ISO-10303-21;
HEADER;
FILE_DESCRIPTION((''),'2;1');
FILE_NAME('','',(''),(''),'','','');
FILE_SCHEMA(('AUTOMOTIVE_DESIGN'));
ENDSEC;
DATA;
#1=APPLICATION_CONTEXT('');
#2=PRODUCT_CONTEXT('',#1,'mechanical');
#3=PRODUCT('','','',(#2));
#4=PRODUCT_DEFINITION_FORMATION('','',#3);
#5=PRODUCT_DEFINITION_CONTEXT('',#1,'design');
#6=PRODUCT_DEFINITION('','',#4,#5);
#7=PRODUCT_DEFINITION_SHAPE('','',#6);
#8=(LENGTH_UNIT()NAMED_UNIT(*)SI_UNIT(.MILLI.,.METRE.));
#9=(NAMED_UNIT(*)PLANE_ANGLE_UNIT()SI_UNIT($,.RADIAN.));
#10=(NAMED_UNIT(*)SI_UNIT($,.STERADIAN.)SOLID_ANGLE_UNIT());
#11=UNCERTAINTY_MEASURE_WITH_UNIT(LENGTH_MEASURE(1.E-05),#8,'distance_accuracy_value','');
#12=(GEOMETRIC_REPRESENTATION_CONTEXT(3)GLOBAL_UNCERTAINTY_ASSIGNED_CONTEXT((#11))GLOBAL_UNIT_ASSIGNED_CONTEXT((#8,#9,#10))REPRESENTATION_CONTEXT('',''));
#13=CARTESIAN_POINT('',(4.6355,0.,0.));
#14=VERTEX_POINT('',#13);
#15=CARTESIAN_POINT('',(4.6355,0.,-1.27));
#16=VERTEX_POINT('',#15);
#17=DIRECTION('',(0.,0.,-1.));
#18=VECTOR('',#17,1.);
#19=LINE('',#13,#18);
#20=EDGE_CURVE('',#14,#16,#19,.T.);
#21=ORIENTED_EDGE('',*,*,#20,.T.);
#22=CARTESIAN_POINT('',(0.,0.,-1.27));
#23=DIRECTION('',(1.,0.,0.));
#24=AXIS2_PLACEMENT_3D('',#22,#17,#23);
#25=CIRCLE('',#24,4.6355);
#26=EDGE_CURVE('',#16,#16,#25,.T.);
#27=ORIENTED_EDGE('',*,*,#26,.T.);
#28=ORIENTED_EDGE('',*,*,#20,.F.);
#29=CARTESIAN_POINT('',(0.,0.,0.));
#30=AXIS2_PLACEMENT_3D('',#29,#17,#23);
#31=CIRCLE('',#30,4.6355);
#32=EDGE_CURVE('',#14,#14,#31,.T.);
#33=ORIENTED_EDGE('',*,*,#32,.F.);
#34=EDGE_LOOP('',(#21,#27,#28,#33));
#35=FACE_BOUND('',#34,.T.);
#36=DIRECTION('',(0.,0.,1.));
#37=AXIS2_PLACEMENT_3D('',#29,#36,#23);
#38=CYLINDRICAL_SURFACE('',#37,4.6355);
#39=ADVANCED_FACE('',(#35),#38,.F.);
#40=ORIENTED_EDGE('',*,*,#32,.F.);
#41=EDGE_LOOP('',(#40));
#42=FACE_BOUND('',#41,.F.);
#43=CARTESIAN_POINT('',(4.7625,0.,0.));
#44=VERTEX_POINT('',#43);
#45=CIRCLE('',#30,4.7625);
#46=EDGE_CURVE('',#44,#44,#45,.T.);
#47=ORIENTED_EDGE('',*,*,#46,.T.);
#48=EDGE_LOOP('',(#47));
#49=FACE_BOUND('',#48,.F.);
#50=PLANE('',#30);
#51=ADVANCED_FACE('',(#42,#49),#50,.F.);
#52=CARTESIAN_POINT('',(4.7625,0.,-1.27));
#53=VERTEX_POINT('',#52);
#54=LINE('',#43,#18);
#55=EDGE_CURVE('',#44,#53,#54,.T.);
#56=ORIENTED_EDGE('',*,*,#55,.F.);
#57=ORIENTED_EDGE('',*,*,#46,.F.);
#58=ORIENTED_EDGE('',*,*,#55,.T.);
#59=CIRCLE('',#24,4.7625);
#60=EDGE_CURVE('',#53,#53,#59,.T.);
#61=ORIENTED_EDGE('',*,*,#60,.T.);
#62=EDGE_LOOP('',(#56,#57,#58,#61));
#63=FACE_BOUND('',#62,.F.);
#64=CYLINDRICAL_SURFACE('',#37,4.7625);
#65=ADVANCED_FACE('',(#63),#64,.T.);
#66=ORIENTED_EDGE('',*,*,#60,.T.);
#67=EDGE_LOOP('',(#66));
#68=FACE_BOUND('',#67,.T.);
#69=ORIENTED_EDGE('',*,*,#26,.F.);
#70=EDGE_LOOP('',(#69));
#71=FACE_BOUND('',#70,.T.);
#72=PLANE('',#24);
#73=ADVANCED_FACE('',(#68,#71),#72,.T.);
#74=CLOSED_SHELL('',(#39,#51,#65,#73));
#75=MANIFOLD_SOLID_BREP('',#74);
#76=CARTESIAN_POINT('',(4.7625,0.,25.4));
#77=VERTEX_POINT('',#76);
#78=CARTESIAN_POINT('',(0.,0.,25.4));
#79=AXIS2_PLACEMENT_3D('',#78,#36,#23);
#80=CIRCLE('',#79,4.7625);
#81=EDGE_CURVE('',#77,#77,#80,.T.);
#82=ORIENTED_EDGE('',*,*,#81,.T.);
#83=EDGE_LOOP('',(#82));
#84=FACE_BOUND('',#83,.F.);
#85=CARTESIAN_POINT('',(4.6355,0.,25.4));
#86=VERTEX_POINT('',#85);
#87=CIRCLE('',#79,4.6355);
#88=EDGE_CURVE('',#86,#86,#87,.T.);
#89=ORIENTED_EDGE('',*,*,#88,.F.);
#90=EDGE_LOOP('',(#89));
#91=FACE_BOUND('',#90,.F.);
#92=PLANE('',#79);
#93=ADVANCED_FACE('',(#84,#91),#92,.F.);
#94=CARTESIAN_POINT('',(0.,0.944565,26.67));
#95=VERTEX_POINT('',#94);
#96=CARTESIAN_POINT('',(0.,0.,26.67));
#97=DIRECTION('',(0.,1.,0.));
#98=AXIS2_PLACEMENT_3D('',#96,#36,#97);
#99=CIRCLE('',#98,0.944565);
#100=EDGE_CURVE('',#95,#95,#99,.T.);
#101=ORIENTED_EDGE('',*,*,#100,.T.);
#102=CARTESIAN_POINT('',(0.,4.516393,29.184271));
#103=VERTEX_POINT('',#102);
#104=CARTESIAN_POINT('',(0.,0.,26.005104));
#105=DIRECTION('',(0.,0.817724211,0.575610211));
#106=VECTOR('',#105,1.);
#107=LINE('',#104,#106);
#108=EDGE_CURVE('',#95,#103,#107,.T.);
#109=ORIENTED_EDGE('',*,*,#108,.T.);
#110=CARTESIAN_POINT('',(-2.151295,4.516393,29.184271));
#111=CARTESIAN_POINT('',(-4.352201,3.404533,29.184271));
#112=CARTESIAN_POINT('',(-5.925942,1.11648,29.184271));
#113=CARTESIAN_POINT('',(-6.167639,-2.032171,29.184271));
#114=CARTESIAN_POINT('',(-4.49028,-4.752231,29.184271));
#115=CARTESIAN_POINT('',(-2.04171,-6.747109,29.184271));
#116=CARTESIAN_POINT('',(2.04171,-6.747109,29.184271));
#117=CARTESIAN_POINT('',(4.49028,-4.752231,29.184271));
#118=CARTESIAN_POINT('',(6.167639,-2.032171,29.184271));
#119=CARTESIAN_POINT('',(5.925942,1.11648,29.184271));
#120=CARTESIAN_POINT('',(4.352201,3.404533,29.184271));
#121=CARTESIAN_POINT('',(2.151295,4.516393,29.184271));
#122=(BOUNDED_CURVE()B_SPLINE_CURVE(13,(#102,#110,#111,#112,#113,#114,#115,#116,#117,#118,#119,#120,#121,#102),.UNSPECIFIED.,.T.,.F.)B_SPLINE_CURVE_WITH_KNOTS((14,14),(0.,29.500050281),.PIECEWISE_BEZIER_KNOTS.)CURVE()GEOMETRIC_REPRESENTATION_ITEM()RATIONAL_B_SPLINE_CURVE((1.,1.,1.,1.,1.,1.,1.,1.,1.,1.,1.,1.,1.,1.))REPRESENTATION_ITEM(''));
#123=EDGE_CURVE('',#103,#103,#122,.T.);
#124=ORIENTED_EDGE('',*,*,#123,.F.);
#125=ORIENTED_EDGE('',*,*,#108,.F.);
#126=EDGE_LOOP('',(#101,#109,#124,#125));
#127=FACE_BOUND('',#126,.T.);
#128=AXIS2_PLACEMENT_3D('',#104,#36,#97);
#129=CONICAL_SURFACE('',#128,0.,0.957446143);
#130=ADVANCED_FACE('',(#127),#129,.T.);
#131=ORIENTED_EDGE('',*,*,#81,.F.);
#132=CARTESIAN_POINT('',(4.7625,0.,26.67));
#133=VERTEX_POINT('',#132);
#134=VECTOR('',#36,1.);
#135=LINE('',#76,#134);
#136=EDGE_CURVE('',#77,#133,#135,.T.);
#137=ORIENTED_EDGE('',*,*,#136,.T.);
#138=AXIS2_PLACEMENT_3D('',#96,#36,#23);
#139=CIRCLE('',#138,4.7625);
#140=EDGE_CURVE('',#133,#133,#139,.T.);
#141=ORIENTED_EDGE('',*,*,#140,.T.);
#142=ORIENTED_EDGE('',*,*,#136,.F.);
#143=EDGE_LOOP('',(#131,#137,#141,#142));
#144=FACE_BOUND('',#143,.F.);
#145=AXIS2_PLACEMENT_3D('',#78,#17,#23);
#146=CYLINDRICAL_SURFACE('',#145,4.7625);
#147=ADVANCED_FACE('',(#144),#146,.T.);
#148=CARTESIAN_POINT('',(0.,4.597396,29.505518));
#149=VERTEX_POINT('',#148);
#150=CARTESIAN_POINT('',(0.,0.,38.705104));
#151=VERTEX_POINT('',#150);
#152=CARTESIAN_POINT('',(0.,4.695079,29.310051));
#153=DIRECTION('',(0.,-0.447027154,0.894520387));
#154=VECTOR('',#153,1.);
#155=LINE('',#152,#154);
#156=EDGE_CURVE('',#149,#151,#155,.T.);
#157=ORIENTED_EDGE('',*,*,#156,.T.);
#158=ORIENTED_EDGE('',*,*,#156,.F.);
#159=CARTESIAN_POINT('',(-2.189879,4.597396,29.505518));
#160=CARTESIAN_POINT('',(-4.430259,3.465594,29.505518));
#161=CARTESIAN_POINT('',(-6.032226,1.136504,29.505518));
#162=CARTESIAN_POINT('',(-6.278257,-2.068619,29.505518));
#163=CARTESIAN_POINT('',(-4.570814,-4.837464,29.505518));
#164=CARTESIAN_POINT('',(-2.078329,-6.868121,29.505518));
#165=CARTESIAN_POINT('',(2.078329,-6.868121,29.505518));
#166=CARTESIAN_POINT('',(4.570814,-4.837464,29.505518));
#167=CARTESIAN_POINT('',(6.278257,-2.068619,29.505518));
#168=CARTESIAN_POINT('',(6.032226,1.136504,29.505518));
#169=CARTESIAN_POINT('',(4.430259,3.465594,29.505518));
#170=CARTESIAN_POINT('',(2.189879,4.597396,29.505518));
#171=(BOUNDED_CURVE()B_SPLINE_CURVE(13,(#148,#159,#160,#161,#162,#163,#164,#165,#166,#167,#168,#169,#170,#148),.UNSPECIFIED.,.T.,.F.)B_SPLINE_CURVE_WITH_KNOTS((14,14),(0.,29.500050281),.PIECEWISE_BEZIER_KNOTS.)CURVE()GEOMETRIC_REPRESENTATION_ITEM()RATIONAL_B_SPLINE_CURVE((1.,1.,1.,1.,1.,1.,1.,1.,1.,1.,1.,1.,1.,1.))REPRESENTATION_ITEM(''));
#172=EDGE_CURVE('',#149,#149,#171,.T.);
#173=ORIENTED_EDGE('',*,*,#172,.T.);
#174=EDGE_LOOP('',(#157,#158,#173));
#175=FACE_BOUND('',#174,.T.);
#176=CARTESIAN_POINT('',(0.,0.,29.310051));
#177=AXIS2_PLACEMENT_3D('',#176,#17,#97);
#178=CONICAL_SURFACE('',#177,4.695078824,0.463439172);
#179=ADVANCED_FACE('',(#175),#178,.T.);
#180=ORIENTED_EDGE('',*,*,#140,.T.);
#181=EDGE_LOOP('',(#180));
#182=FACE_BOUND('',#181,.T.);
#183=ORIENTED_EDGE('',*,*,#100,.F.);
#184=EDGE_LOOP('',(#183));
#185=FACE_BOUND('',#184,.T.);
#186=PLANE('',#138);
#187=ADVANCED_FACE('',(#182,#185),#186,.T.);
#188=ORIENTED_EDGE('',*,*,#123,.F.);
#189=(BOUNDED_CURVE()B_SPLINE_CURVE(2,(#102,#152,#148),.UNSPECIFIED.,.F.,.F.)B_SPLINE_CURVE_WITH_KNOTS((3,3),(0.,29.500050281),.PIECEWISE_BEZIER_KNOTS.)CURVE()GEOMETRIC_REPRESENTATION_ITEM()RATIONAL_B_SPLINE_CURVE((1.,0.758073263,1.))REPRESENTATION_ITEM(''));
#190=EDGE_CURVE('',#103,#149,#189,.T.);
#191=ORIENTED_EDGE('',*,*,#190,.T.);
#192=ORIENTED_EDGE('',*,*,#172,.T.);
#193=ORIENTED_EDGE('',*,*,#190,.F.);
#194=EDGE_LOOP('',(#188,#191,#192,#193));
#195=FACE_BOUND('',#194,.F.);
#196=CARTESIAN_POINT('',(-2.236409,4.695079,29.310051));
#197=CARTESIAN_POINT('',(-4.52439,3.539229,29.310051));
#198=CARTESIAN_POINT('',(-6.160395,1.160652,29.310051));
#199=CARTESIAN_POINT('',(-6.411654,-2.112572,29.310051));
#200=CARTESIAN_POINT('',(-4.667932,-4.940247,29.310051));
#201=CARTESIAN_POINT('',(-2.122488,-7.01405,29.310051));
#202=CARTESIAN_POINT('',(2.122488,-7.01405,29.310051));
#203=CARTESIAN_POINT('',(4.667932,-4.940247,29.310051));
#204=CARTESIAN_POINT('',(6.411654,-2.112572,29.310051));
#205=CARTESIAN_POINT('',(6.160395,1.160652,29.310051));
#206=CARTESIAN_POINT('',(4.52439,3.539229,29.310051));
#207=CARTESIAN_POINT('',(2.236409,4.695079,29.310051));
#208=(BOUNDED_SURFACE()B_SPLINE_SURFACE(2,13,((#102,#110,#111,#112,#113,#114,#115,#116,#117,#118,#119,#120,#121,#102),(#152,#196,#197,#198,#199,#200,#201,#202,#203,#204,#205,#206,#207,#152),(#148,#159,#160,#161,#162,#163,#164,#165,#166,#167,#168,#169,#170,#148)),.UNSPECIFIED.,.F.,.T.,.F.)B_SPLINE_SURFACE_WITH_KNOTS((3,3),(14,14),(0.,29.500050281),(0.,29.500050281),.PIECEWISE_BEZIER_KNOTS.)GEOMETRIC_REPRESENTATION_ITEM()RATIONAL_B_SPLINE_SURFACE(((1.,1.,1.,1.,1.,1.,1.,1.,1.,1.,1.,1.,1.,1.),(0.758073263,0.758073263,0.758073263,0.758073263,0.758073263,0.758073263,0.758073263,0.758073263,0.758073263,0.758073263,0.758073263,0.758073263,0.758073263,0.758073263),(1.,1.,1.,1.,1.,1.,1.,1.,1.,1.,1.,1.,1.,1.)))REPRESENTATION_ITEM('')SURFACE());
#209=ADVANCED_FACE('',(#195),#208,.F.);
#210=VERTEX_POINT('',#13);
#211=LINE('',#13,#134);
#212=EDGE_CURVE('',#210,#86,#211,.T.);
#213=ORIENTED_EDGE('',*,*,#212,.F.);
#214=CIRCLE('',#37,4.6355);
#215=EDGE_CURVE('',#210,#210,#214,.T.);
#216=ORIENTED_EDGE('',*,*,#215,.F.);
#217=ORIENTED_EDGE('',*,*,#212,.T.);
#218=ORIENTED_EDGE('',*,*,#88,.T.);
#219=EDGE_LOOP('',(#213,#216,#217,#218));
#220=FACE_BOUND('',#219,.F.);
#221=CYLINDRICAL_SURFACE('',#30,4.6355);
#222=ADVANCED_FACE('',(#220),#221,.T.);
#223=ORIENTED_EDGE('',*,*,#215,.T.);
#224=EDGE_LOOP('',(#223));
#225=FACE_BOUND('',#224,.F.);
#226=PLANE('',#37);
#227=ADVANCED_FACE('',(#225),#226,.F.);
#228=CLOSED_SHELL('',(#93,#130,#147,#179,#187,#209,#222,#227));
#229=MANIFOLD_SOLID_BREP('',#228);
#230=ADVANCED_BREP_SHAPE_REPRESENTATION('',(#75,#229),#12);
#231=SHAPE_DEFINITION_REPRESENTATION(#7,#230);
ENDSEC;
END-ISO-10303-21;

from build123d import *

# Parameters (mm, degrees)
F0_R     = 4.6355
F1_DEPTH = 25.4
F2_R     = 4.7625
F3_DEPTH = 1.27
F4_R     = 4.7625
F4_R_2   = 4.6355
F5_DEPTH = 1.27
F8_R     = 0.254


with BuildPart() as f1:
    # F0 (on Top) → F1 (new body)
    with BuildSketch(Plane.XY):
        Circle(F0_R)
    extrude(amount=F1_DEPTH)

    # F2 (on face) → F3 (join)
    with BuildSketch(Plane.XY.offset(25.4)):
        Circle(F2_R)
    extrude(amount=F3_DEPTH)

    # F6 (on Right) → F7 (revolve)
    with BuildSketch(Plane.YZ):
        Polygon((0, 38.7051041842), (0, 26.0051041842), (4.6950788237, 29.3100513518), align=None)
    revolve(axis=Axis((0, 0, 32.3551041842), (0, 0, 1)))

    # F8
    f8_edges = [f1.edges().sort_by_distance(p)[0] for p in [
        (0, -4.695079, 29.310051),
        (0, 2.347539, 34.007578),
    ]]
    fillet(f8_edges, radius=F8_R)


with BuildPart() as f5:
    # F4 (on face) → F5 (new body)
    with BuildSketch(Plane(origin=(0, 0, 0), x_dir=(1, 0, 0), z_dir=(0, 0, -1))):
        Circle(F4_R)
        Circle(F4_R_2, mode=Mode.SUBTRACT)
    extrude(amount=F5_DEPTH)


solid = Compound([f1.part, f5.part])
